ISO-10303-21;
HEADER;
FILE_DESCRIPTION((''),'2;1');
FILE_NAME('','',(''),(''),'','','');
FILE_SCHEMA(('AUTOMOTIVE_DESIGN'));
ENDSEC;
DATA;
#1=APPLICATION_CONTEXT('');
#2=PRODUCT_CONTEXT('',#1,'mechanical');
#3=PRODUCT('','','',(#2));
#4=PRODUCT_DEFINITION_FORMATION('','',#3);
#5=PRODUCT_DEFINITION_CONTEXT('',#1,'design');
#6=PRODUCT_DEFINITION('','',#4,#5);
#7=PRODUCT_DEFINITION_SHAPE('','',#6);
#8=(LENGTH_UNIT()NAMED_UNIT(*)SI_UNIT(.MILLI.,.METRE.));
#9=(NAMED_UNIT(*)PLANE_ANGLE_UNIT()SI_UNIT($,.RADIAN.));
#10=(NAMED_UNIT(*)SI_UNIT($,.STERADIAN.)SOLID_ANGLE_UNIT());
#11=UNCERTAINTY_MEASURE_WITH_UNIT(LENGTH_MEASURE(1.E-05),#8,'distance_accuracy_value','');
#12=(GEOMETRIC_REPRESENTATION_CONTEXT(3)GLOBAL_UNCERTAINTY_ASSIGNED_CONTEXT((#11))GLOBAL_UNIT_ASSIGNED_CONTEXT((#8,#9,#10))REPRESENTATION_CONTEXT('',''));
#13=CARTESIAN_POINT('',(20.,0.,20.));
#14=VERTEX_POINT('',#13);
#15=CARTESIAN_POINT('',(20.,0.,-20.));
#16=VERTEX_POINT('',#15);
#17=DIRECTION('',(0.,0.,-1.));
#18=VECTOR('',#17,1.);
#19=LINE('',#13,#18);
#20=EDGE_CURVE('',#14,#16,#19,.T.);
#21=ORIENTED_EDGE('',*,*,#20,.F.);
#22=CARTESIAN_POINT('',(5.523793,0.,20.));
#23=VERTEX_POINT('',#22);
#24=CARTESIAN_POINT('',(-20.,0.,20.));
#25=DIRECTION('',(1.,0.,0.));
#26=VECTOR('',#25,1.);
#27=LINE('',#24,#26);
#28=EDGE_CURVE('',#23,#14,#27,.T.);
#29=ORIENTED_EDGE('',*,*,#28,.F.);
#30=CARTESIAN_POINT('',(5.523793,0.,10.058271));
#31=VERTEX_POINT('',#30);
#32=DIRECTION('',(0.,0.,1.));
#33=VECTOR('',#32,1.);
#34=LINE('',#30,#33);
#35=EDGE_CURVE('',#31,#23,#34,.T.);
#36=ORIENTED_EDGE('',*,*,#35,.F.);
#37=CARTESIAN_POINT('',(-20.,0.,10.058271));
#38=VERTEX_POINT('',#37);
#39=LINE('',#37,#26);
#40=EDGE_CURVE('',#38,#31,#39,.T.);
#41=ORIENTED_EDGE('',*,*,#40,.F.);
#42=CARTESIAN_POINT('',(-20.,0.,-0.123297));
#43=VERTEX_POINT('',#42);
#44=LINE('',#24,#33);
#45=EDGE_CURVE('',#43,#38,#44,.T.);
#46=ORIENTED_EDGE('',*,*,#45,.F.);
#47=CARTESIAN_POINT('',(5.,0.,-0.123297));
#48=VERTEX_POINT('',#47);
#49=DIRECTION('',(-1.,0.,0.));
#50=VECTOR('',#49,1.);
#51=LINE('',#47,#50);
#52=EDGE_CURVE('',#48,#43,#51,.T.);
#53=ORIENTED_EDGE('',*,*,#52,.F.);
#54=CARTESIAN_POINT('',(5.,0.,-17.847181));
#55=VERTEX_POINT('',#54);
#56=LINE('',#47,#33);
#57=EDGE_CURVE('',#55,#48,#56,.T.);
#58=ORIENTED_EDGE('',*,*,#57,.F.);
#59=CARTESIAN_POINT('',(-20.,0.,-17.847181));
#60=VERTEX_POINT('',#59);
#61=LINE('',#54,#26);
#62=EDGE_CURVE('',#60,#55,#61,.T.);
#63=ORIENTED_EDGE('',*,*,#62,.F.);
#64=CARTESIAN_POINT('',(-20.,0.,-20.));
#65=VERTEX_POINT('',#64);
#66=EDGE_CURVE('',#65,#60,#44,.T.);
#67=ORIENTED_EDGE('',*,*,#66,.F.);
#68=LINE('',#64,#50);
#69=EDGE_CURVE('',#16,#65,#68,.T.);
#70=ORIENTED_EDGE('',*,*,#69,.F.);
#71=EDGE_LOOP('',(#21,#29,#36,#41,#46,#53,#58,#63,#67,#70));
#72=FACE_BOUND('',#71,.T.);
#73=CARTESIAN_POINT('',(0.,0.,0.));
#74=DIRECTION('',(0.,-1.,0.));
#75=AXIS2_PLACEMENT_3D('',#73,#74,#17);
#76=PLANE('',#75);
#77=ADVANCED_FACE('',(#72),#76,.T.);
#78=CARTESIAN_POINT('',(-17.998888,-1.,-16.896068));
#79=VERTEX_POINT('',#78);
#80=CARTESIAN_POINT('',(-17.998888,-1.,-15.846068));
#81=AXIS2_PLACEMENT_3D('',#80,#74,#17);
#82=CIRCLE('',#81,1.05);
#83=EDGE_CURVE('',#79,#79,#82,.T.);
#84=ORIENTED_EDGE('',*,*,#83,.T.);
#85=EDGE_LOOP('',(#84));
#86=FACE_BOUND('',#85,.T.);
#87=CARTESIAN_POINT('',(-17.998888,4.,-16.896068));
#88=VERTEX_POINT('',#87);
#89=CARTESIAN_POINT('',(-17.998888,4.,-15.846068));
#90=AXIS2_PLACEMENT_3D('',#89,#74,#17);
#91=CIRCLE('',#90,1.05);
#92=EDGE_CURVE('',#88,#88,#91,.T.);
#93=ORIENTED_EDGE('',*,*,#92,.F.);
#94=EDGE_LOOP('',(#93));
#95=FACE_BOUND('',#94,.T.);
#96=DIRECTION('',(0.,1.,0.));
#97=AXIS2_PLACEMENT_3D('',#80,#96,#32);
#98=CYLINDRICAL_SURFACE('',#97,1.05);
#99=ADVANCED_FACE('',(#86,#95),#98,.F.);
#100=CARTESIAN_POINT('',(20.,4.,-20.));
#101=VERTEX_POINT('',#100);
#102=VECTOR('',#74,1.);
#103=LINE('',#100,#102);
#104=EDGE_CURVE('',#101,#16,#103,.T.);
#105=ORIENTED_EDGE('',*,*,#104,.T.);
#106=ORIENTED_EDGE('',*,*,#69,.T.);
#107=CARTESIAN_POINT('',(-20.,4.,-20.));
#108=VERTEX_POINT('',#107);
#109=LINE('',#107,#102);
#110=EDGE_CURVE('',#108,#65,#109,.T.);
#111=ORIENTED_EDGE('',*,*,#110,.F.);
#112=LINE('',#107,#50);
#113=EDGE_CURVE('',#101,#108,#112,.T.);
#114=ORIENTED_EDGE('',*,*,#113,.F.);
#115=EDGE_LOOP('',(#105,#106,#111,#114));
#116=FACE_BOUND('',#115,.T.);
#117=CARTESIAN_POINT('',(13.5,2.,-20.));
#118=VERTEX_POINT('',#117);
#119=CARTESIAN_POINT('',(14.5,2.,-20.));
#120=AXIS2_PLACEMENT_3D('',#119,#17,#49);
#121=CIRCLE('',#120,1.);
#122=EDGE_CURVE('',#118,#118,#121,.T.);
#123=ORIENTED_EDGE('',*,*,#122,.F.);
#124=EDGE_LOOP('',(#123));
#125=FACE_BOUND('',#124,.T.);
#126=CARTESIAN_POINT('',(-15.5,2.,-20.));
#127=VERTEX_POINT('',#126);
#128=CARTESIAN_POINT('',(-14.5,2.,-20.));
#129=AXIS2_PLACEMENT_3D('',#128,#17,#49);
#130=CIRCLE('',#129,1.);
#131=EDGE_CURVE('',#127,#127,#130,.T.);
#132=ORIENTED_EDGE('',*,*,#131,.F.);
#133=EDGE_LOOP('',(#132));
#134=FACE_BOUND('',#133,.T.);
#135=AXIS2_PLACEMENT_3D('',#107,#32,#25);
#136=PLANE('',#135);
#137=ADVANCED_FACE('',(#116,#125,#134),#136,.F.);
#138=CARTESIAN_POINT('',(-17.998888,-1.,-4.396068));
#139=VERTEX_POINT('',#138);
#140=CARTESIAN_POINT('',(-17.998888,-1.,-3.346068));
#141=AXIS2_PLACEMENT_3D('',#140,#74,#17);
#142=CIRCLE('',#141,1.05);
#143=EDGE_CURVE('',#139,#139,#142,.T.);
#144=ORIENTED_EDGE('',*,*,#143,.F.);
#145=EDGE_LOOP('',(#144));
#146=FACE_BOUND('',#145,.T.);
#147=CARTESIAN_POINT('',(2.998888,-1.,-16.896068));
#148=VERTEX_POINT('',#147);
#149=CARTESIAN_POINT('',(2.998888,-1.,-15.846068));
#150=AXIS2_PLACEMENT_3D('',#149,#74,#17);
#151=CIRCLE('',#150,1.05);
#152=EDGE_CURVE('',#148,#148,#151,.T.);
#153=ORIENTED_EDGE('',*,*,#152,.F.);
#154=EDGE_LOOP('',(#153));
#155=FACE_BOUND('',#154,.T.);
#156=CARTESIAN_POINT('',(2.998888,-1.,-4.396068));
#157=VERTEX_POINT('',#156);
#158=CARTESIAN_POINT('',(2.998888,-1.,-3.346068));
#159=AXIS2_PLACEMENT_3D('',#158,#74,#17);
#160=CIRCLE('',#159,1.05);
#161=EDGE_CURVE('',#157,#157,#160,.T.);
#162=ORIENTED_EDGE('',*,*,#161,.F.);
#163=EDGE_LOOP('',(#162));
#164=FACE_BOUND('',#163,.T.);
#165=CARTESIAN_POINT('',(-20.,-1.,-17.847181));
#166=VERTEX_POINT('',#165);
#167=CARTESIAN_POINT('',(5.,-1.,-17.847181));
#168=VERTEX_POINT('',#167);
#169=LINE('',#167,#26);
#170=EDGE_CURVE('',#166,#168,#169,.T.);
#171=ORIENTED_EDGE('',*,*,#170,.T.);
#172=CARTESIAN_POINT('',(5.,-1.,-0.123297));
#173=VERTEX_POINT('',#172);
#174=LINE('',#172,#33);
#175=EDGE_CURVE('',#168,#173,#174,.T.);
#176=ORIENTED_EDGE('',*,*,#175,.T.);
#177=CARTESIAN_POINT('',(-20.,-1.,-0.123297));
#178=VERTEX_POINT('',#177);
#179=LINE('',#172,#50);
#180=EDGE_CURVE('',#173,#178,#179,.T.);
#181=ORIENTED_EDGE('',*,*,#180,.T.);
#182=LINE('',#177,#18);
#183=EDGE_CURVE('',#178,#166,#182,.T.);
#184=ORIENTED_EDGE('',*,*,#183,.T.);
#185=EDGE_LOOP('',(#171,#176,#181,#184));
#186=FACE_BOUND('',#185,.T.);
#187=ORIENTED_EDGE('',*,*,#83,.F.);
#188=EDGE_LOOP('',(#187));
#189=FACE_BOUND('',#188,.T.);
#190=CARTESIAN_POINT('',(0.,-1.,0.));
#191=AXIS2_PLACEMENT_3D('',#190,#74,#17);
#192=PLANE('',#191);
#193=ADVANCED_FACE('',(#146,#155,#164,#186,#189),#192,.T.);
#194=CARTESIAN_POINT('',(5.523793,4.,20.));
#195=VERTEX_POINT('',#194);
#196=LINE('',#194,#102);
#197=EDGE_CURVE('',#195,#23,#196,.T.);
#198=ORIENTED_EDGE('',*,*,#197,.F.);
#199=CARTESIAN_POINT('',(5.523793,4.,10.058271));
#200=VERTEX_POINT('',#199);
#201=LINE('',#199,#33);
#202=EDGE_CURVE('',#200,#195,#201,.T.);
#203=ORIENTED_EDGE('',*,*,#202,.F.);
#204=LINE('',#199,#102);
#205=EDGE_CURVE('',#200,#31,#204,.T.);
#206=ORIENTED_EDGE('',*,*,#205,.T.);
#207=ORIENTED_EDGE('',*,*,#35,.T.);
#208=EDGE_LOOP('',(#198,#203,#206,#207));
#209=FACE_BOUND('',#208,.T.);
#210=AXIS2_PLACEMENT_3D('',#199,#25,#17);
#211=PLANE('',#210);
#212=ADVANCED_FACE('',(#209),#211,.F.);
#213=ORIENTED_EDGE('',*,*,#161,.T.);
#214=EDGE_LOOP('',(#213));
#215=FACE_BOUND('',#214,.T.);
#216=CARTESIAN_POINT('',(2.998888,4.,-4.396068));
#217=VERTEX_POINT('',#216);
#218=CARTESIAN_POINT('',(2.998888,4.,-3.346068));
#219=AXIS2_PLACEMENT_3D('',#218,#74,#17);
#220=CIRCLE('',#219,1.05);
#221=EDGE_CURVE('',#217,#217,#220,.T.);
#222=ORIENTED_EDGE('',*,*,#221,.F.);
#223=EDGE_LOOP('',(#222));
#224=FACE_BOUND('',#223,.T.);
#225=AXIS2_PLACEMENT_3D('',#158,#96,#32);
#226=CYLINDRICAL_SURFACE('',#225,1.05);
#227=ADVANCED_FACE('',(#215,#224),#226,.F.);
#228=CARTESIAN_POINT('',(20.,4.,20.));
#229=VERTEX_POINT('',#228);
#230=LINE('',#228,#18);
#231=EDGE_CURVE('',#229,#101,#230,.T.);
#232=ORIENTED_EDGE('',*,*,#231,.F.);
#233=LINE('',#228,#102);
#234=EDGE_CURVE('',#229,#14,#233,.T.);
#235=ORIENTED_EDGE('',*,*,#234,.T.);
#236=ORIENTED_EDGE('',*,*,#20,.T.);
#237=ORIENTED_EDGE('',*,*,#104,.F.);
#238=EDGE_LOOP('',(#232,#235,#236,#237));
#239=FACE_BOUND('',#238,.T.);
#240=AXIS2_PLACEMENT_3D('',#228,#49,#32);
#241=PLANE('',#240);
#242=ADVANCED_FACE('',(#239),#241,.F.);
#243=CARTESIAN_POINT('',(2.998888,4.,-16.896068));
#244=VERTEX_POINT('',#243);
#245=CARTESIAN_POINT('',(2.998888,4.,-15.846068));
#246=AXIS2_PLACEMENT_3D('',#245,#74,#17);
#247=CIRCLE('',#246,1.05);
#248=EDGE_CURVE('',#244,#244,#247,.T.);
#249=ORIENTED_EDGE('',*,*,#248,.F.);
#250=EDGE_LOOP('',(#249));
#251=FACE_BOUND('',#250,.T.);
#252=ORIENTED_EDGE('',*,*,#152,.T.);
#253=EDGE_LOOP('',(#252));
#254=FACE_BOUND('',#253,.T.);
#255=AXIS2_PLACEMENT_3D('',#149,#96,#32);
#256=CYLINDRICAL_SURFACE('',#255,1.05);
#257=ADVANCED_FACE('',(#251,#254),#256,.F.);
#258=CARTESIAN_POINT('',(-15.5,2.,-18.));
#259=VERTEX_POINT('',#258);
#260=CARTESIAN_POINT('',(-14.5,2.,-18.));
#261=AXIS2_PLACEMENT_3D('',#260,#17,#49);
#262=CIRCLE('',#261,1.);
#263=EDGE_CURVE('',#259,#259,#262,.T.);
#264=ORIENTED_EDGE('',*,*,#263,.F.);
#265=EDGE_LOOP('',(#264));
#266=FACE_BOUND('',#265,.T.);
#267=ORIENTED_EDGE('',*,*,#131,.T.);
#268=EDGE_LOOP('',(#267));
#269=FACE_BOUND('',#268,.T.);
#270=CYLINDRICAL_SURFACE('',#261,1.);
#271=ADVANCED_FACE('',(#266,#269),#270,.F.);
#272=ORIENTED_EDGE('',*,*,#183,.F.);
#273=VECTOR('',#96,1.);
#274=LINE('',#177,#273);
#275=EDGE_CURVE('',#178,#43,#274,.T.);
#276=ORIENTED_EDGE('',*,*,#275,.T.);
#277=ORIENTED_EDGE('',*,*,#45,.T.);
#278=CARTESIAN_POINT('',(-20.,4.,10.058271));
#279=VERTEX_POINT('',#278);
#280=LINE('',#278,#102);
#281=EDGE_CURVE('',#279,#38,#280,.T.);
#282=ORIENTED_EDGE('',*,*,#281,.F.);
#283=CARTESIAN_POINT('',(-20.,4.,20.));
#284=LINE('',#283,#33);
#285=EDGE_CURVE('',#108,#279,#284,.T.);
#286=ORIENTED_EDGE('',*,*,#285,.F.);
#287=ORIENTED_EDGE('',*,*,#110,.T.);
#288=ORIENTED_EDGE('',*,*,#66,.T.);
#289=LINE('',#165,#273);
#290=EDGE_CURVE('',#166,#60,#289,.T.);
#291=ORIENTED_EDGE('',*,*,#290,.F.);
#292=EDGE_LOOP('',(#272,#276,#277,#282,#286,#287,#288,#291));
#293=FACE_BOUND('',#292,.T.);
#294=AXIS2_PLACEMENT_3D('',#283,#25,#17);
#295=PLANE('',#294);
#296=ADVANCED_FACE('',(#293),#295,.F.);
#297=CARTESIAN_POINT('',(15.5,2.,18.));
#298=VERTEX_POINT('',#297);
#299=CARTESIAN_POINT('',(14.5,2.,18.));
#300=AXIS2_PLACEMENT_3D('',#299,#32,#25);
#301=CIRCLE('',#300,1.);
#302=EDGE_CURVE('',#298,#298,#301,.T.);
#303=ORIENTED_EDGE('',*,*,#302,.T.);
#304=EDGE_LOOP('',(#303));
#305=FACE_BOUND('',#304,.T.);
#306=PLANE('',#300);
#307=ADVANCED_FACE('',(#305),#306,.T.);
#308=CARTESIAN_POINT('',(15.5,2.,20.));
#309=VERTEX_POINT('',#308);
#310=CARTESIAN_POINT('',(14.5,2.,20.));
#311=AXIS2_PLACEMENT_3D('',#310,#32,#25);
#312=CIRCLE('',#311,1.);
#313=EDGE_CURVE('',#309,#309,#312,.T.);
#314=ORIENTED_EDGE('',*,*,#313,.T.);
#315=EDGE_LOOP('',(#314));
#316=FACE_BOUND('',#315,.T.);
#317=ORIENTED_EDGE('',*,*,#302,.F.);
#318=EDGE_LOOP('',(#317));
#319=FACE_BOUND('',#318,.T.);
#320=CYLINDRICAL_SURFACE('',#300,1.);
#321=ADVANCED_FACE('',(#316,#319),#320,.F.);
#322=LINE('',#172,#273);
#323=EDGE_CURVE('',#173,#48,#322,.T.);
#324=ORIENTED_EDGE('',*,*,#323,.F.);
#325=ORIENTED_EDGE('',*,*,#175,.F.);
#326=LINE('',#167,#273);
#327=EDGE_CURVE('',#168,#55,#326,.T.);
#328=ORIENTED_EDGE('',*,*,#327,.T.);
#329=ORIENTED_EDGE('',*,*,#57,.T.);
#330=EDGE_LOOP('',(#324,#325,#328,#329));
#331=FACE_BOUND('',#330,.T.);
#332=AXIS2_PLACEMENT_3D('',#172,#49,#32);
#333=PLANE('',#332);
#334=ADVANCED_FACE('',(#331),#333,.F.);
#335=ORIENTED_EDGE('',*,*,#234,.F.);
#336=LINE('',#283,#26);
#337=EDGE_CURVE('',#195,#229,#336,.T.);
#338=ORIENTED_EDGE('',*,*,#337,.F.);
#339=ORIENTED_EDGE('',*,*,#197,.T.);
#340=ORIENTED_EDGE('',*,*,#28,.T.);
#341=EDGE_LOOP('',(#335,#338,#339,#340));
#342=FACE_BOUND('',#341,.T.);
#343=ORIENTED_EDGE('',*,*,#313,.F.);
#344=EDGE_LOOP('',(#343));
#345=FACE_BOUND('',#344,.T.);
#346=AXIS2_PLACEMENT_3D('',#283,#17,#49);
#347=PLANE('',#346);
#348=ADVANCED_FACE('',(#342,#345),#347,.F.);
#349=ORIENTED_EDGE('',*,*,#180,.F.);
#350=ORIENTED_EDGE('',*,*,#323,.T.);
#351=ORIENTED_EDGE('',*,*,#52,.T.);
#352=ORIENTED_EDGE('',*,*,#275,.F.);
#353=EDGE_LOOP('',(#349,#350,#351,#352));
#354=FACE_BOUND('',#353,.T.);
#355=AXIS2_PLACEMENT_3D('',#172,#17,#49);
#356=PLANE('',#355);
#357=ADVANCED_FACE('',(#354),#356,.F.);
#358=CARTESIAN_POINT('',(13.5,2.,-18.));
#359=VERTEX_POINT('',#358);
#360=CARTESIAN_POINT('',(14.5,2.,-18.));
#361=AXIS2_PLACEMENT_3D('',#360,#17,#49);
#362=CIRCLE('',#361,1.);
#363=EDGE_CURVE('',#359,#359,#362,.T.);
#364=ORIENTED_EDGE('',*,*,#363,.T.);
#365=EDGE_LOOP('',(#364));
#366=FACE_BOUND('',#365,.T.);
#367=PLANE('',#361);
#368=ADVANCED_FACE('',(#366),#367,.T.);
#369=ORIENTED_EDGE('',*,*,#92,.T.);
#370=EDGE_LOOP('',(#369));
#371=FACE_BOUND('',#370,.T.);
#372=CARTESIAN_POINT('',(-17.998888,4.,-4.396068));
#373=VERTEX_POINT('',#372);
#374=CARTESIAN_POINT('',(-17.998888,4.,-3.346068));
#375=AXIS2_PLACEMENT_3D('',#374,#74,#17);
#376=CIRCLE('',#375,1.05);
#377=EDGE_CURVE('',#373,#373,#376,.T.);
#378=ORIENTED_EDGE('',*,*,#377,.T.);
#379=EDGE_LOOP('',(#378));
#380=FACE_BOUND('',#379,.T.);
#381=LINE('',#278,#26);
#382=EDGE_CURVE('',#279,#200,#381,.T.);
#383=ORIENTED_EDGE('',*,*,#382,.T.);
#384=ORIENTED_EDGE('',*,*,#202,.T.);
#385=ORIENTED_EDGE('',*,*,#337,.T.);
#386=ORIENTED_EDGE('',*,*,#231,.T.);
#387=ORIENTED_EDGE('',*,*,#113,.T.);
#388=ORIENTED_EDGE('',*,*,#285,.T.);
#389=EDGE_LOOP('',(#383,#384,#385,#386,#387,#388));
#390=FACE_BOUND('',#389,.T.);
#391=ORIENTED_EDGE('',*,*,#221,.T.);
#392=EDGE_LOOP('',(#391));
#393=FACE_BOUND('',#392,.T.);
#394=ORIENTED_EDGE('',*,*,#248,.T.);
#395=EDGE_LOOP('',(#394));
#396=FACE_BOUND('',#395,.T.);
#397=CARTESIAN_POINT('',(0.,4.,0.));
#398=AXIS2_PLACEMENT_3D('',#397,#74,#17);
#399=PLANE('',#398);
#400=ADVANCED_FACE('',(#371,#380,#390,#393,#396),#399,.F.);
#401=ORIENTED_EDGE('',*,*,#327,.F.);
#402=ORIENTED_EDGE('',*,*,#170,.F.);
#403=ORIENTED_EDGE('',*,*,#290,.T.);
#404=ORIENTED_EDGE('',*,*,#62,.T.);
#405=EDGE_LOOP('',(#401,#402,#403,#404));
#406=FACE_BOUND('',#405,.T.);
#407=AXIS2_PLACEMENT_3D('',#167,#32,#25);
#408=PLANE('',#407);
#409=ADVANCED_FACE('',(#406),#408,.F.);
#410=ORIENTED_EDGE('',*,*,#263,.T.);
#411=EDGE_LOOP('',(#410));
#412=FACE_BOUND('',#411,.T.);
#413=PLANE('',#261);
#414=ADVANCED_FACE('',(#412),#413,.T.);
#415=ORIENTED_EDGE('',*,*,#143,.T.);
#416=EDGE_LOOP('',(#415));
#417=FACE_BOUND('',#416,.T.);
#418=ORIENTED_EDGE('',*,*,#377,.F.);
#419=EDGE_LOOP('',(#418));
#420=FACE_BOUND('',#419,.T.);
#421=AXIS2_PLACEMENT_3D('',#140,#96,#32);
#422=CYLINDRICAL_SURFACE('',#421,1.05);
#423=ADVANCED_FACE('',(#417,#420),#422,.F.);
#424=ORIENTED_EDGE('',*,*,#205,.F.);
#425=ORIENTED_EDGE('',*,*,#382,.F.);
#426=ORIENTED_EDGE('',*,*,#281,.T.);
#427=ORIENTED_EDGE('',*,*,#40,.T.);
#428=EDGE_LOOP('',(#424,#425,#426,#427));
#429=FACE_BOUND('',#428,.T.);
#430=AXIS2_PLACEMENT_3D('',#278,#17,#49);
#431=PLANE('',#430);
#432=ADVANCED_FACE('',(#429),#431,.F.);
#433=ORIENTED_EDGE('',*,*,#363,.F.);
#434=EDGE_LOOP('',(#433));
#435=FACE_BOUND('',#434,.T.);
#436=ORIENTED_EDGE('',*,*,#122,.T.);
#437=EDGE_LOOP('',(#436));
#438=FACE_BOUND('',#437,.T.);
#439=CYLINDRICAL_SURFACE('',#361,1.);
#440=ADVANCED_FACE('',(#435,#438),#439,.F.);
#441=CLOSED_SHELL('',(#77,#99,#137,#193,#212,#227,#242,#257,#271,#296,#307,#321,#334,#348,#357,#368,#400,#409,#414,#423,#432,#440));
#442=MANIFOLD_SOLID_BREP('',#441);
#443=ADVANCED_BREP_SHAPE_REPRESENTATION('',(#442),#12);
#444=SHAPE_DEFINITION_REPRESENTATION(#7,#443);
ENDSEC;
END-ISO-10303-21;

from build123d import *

# Parameters (mm, degrees)
SKETCH1_W           = 40
SKETCH1_H           = 40
BOSS_EXTRUDE1_DEPTH = 4
SKETCH4_R           = 1
CUT_EXTRUDE2_DEPTH  = 2
SKETCH5_R           = 1
CUT_EXTRUDE3_DEPTH  = 2
SKETCH6_W           = 25
SKETCH6_H           = 17.723883745
SKETCH6_R           = 1.05
BOSS_EXTRUDE3_DEPTH = 1
SKETCH8_R           = 1.05
CUT_EXTRUDE4_DEPTH  = 29.722813233
SKETCH9_W           = 25.523793116
SKETCH9_H           = 9.941729438
CUT_EXTRUDE5_DEPTH  = 29.565713714


with BuildPart() as part:
    # Sketch1 → Boss-Extrude1 (new body)
    with BuildSketch(Plane(origin=(0, 0, 0), x_dir=(1, 0, 0), z_dir=(0, 1, 0))):
        Rectangle(SKETCH1_W, SKETCH1_H)
    extrude(amount=BOSS_EXTRUDE1_DEPTH)

    # Sketch4 → Cut-Extrude2 (cut)
    with BuildSketch(Plane.XY.offset(20)):
        with Locations((-14.5, 2)):
            Circle(SKETCH4_R)
        with Locations((14.5, 2)):
            Circle(SKETCH4_R)
    extrude(amount=-CUT_EXTRUDE2_DEPTH, mode=Mode.SUBTRACT)

    # Sketch5 → Cut-Extrude3 (cut)
    with BuildSketch(Plane(origin=(0, 0, -20), x_dir=(-1, 0, 0), z_dir=(0, 0, -1))):
        with Locations(Location((-14.5, 2, 0), (0, 0, 180))):
            Circle(SKETCH5_R)
        with Locations(Location((14.5, 2, 0), (0, 0, 180))):
            Circle(SKETCH5_R)
    extrude(amount=-CUT_EXTRUDE3_DEPTH, mode=Mode.SUBTRACT)

    # Sketch6 → Boss-Extrude3 (add)
    with BuildSketch(Plane(origin=(0, 0, 0), x_dir=(-1, 0, 0), z_dir=(0, -1, 0))):
        with Locations((7.5, 8.985238628)):
            Rectangle(SKETCH6_W, SKETCH6_H)
        with Locations(Location((17.998887809, 15.84606831, 0), (0, 0, 90))):
            Circle(SKETCH6_R, mode=Mode.SUBTRACT)
        with Locations(Location((-2.998887809, 15.84606831, 0), (0, 0, 90))):
            Circle(SKETCH6_R, mode=Mode.SUBTRACT)
        with Locations(Location((-2.998887809, 3.34606831, 0), (0, 0, 90))):
            Circle(SKETCH6_R, mode=Mode.SUBTRACT)
        with Locations(Location((17.998887809, 3.34606831, 0), (0, 0, 90))):
            Circle(SKETCH6_R, mode=Mode.SUBTRACT)
    extrude(amount=BOSS_EXTRUDE3_DEPTH)

    # Sketch8 → Cut-Extrude4 (cut, through all)
    with BuildSketch(Plane.XZ.offset(1)):
        with Locations(Location((-17.998887809, -15.84606831, 0), (0, 0, 270))):
            Circle(SKETCH8_R)
        with Locations(Location((2.998887809, -15.84606831, 0), (0, 0, 270))):
            Circle(SKETCH8_R)
        with Locations(Location((2.998887809, -3.34606831, 0), (0, 0, 270))):
            Circle(SKETCH8_R)
        with Locations(Location((-17.998887809, -3.34606831, 0), (0, 0, 270))):
            Circle(SKETCH8_R)
    extrude(amount=-CUT_EXTRUDE4_DEPTH, mode=Mode.SUBTRACT)

    # Sketch9 → Cut-Extrude5 (cut, through all)
    with BuildSketch(Plane(origin=(0, 0, 0), x_dir=(-1, 0, 0), z_dir=(0, -1, 0))):
        with Locations((7.238103442, -15.029135281)):
            Rectangle(SKETCH9_W, SKETCH9_H)
    extrude(amount=-CUT_EXTRUDE5_DEPTH, mode=Mode.SUBTRACT)


solid = part.part
